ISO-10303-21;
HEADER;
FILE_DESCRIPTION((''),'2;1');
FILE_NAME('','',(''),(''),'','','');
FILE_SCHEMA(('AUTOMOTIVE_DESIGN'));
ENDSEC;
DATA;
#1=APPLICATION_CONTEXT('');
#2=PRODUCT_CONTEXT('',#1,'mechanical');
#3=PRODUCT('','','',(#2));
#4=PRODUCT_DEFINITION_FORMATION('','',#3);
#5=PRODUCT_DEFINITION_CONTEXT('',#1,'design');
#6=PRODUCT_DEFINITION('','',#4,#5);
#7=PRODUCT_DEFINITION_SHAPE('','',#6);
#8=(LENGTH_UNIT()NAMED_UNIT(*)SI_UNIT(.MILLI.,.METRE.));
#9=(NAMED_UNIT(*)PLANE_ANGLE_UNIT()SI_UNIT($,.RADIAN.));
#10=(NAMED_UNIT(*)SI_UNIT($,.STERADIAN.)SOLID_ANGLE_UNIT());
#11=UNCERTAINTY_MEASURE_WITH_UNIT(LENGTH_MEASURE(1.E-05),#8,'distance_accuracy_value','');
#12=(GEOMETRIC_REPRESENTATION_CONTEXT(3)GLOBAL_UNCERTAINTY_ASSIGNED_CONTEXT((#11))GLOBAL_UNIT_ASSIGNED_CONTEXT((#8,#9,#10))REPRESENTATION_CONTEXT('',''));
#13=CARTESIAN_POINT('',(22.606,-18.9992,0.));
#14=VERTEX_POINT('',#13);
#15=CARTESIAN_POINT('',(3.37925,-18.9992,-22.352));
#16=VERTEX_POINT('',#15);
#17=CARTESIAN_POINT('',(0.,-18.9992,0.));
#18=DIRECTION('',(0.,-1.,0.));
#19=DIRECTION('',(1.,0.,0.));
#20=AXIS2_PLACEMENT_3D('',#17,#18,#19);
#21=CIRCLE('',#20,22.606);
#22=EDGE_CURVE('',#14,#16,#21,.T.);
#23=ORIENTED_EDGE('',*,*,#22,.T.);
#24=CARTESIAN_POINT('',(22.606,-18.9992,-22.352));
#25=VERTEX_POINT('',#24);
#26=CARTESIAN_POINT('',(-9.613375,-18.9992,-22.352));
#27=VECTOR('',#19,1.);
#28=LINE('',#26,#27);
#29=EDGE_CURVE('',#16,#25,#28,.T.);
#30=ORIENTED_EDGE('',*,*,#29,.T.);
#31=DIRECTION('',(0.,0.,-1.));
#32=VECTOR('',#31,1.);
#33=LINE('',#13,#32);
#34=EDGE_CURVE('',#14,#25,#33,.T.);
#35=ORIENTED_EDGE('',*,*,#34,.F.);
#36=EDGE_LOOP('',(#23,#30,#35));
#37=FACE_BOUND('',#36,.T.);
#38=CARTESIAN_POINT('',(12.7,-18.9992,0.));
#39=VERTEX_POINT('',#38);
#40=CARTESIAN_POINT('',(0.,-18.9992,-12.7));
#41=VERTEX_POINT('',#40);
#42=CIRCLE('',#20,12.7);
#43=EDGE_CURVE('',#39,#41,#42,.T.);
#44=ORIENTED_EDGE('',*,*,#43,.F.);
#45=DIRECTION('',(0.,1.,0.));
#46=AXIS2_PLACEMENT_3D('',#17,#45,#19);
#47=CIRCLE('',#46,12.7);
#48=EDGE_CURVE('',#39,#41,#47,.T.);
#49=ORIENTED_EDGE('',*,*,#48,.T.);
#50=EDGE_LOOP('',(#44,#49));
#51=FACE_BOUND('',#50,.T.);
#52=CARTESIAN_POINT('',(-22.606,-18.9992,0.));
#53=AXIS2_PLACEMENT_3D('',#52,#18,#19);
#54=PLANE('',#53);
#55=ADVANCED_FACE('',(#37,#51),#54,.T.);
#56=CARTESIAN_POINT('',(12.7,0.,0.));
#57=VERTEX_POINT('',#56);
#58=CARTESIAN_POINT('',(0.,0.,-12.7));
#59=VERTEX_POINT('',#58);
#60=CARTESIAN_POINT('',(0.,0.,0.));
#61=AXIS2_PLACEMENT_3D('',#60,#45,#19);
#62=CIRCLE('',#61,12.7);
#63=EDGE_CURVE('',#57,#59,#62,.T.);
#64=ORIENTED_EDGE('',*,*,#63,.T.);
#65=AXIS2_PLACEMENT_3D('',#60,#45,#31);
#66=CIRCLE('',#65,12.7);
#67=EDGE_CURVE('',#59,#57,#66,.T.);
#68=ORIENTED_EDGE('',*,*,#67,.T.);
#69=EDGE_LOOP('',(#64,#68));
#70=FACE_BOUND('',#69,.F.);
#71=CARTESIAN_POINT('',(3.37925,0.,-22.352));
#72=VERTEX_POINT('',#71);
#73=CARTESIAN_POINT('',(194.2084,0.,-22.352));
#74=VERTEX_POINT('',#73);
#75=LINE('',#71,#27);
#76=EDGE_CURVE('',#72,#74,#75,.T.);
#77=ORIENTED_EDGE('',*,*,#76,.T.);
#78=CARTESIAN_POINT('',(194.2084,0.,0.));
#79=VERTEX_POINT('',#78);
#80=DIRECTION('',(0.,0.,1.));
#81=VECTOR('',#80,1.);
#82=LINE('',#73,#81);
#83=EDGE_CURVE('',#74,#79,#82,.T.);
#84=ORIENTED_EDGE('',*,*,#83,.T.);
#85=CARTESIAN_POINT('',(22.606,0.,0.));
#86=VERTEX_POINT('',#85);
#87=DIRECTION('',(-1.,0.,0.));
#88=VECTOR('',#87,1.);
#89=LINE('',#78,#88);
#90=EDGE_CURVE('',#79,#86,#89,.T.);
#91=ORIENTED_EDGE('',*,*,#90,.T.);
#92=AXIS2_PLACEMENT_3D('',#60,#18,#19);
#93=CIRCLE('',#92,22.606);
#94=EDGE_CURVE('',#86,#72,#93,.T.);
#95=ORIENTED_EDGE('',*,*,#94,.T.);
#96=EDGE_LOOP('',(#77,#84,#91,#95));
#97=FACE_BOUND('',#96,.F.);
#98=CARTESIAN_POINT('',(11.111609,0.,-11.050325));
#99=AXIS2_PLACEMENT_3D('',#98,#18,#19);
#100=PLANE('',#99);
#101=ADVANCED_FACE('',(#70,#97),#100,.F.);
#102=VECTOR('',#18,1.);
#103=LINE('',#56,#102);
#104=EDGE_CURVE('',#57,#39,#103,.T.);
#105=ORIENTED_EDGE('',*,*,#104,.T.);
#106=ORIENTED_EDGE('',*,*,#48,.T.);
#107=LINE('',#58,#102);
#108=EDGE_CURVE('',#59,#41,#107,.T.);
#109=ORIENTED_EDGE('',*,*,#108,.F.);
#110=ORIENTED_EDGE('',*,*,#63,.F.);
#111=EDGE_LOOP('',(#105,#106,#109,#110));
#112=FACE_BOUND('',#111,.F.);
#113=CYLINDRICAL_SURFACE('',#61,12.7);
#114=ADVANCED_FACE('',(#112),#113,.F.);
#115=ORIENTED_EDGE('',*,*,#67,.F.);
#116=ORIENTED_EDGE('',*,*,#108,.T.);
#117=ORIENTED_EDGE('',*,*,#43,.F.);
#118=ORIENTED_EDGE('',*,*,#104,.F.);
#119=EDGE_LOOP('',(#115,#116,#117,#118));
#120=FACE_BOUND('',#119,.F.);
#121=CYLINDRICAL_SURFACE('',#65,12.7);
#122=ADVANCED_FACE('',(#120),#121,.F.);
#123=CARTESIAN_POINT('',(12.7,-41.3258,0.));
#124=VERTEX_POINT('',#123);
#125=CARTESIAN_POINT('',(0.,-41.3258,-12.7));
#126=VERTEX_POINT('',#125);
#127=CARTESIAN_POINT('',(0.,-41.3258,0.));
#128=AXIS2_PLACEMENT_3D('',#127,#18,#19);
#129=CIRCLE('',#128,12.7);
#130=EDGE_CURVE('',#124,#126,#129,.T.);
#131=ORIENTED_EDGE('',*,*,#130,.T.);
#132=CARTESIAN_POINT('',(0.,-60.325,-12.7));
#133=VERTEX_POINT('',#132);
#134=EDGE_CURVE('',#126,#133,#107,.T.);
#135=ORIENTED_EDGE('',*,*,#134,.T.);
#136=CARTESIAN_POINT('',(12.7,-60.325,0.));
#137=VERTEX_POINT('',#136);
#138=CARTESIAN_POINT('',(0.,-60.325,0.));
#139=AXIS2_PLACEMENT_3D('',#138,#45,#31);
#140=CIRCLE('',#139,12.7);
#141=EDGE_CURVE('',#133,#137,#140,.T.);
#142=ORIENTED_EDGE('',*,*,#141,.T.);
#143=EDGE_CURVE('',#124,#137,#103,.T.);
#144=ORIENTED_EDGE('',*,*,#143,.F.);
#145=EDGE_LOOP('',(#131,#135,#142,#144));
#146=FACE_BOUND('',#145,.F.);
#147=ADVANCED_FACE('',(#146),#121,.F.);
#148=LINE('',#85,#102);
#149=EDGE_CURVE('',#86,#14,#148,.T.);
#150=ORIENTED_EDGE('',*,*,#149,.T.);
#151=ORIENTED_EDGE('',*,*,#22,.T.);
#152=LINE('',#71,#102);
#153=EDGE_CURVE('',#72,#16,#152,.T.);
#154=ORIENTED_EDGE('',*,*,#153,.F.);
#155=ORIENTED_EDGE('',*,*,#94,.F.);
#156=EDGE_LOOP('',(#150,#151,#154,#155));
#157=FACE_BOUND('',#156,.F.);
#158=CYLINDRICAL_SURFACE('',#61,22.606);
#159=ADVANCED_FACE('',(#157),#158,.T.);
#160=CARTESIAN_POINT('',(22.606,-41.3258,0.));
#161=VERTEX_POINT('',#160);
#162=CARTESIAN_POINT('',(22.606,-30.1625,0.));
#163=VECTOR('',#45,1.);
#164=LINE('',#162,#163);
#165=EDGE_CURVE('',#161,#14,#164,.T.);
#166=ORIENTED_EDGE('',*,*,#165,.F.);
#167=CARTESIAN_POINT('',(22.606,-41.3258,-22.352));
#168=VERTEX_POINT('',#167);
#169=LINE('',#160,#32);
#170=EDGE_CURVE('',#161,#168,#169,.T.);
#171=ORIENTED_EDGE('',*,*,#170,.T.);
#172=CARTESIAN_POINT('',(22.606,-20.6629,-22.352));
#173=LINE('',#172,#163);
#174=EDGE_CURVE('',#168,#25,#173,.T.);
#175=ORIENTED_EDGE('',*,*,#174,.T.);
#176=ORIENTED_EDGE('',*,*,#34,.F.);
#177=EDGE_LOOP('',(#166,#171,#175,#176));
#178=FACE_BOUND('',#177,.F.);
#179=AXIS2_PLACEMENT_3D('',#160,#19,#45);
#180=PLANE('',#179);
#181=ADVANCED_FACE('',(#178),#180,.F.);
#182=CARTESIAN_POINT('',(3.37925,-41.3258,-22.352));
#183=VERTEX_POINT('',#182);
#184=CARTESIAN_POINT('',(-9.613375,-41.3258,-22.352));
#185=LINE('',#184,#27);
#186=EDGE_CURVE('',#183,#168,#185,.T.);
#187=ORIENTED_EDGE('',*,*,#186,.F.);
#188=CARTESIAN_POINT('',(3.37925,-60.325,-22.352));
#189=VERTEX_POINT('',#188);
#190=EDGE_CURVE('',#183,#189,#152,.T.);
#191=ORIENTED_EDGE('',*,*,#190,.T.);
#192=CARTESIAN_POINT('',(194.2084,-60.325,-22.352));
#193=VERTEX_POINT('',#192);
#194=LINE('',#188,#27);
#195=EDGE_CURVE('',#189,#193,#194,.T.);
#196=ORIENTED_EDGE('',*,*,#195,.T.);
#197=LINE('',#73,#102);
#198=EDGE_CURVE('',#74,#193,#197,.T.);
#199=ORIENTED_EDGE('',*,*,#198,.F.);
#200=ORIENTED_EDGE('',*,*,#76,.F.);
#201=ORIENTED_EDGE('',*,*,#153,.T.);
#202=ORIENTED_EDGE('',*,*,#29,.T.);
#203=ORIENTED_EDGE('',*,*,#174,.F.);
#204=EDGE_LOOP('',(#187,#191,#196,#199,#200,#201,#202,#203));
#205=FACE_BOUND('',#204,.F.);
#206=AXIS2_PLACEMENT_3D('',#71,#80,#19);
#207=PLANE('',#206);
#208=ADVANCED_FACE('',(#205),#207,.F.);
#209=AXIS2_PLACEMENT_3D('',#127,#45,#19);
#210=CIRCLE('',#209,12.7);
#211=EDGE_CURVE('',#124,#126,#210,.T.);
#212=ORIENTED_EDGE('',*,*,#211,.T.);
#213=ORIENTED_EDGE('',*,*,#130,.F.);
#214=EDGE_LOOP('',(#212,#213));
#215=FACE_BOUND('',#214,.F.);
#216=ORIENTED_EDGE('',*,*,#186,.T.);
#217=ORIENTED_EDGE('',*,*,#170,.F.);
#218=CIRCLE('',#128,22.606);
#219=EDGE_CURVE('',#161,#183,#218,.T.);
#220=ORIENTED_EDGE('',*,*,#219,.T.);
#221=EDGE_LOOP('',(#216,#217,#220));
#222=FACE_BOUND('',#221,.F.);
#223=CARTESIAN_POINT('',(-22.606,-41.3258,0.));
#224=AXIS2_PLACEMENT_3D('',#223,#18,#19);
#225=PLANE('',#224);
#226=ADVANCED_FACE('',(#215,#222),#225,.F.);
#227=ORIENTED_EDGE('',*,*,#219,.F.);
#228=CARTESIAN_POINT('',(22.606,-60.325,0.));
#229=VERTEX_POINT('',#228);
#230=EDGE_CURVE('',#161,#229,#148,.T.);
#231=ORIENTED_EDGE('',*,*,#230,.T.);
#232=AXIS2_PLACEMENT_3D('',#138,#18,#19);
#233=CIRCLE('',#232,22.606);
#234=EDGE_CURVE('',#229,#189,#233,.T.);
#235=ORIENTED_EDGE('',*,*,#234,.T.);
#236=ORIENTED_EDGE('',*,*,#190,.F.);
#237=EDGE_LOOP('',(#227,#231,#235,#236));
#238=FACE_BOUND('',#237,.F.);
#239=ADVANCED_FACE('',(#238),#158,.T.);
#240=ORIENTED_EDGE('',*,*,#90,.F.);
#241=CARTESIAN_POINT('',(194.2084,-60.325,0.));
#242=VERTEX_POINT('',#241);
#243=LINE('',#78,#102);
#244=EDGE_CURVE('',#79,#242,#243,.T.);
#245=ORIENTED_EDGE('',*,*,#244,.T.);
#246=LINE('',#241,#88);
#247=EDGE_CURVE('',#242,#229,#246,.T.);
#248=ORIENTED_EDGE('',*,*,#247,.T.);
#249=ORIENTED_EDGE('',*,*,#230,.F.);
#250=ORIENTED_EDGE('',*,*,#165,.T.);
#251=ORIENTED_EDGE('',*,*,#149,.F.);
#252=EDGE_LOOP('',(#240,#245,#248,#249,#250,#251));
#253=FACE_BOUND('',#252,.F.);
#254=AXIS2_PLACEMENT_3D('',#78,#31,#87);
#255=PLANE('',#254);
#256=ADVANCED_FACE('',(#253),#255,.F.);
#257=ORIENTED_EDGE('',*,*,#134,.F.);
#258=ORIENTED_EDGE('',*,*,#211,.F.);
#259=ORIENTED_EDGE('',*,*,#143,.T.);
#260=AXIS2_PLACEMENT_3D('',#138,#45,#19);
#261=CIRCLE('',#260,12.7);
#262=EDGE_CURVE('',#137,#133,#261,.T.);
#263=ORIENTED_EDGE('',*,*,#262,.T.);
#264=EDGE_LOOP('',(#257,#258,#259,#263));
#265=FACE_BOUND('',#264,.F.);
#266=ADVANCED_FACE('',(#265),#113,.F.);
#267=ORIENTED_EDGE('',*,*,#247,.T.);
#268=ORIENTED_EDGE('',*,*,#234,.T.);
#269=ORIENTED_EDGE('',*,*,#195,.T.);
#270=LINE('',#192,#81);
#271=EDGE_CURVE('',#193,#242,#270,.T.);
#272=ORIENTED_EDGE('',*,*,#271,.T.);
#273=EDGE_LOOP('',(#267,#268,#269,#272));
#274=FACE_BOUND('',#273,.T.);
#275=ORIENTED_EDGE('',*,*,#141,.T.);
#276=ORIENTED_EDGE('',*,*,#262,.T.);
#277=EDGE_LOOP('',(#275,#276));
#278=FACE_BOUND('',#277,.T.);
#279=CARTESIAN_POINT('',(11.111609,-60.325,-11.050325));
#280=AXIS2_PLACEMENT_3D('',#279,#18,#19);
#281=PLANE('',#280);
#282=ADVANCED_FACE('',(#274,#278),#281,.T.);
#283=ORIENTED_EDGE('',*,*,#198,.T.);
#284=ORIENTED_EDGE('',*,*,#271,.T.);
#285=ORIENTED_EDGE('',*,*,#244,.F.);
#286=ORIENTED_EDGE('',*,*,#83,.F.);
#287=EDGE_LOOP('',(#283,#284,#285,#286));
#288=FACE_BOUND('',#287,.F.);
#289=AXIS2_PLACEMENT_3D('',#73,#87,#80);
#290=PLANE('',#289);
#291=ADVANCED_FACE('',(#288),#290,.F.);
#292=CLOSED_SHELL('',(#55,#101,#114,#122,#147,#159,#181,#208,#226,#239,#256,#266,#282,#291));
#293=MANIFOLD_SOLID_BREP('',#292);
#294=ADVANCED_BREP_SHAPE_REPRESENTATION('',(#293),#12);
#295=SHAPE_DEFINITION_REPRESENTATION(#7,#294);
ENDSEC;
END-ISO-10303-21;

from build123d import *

# Parameters (mm, degrees)
F1_DEPTH      = 60.325
F2_W          = 45.212
F2_H          = 22.3266
F3_DEPTH      = 22.607
F3_DEPTH_BACK = 22.607


with BuildPart() as f1:
    # F0 (on Front) → F1 (new body)
    with BuildSketch(Plane.XZ):
        with BuildLine():
            Line((22.606, 0), (12.7, 0))
            ThreePointArc((12.7, 0), (8.9802561211, -8.9802561211), (0, -12.7))
            Line((0, -12.7), (0, -22.352))
            Line((0, -22.352), (3.3792502127, -22.352))
            ThreePointArc((3.3792502127, -22.352), (17.1380069773, -14.7417757698), (22.606, 0))
        make_face()
        with BuildLine():
            ThreePointArc((0, -12.7), (-8.9802561211, 8.9802561211), (12.7, 0))
            Line((12.7, 0), (22.606, 0))
            ThreePointArc((22.606, 0), (-17.1380069773, 14.7417757698), (3.3792502127, -22.352))
            Line((3.3792502127, -22.352), (0, -22.352))
            Line((0, -22.352), (0, -12.7))
        make_face()
        with BuildLine():
            Line((194.2084, 0), (22.606, 0))
            ThreePointArc((22.606, 0), (17.1380069773, -14.7417757698), (3.3792502127, -22.352))
            Line((3.3792502127, -22.352), (194.2084, -22.352))
            Line((194.2084, -22.352), (194.2084, 0))
        make_face()
    extrude(amount=F1_DEPTH)

    # F2 (on Top) → F3 (cut, two sides)
    with BuildSketch(Plane.XY) as f3_sk:
        with Locations((0, -30.1625)):
            Rectangle(F2_W, F2_H)
    extrude(amount=-F3_DEPTH, mode=Mode.SUBTRACT)
    extrude(f3_sk.sketch, amount=F3_DEPTH_BACK, mode=Mode.SUBTRACT)


solid = f1.part
